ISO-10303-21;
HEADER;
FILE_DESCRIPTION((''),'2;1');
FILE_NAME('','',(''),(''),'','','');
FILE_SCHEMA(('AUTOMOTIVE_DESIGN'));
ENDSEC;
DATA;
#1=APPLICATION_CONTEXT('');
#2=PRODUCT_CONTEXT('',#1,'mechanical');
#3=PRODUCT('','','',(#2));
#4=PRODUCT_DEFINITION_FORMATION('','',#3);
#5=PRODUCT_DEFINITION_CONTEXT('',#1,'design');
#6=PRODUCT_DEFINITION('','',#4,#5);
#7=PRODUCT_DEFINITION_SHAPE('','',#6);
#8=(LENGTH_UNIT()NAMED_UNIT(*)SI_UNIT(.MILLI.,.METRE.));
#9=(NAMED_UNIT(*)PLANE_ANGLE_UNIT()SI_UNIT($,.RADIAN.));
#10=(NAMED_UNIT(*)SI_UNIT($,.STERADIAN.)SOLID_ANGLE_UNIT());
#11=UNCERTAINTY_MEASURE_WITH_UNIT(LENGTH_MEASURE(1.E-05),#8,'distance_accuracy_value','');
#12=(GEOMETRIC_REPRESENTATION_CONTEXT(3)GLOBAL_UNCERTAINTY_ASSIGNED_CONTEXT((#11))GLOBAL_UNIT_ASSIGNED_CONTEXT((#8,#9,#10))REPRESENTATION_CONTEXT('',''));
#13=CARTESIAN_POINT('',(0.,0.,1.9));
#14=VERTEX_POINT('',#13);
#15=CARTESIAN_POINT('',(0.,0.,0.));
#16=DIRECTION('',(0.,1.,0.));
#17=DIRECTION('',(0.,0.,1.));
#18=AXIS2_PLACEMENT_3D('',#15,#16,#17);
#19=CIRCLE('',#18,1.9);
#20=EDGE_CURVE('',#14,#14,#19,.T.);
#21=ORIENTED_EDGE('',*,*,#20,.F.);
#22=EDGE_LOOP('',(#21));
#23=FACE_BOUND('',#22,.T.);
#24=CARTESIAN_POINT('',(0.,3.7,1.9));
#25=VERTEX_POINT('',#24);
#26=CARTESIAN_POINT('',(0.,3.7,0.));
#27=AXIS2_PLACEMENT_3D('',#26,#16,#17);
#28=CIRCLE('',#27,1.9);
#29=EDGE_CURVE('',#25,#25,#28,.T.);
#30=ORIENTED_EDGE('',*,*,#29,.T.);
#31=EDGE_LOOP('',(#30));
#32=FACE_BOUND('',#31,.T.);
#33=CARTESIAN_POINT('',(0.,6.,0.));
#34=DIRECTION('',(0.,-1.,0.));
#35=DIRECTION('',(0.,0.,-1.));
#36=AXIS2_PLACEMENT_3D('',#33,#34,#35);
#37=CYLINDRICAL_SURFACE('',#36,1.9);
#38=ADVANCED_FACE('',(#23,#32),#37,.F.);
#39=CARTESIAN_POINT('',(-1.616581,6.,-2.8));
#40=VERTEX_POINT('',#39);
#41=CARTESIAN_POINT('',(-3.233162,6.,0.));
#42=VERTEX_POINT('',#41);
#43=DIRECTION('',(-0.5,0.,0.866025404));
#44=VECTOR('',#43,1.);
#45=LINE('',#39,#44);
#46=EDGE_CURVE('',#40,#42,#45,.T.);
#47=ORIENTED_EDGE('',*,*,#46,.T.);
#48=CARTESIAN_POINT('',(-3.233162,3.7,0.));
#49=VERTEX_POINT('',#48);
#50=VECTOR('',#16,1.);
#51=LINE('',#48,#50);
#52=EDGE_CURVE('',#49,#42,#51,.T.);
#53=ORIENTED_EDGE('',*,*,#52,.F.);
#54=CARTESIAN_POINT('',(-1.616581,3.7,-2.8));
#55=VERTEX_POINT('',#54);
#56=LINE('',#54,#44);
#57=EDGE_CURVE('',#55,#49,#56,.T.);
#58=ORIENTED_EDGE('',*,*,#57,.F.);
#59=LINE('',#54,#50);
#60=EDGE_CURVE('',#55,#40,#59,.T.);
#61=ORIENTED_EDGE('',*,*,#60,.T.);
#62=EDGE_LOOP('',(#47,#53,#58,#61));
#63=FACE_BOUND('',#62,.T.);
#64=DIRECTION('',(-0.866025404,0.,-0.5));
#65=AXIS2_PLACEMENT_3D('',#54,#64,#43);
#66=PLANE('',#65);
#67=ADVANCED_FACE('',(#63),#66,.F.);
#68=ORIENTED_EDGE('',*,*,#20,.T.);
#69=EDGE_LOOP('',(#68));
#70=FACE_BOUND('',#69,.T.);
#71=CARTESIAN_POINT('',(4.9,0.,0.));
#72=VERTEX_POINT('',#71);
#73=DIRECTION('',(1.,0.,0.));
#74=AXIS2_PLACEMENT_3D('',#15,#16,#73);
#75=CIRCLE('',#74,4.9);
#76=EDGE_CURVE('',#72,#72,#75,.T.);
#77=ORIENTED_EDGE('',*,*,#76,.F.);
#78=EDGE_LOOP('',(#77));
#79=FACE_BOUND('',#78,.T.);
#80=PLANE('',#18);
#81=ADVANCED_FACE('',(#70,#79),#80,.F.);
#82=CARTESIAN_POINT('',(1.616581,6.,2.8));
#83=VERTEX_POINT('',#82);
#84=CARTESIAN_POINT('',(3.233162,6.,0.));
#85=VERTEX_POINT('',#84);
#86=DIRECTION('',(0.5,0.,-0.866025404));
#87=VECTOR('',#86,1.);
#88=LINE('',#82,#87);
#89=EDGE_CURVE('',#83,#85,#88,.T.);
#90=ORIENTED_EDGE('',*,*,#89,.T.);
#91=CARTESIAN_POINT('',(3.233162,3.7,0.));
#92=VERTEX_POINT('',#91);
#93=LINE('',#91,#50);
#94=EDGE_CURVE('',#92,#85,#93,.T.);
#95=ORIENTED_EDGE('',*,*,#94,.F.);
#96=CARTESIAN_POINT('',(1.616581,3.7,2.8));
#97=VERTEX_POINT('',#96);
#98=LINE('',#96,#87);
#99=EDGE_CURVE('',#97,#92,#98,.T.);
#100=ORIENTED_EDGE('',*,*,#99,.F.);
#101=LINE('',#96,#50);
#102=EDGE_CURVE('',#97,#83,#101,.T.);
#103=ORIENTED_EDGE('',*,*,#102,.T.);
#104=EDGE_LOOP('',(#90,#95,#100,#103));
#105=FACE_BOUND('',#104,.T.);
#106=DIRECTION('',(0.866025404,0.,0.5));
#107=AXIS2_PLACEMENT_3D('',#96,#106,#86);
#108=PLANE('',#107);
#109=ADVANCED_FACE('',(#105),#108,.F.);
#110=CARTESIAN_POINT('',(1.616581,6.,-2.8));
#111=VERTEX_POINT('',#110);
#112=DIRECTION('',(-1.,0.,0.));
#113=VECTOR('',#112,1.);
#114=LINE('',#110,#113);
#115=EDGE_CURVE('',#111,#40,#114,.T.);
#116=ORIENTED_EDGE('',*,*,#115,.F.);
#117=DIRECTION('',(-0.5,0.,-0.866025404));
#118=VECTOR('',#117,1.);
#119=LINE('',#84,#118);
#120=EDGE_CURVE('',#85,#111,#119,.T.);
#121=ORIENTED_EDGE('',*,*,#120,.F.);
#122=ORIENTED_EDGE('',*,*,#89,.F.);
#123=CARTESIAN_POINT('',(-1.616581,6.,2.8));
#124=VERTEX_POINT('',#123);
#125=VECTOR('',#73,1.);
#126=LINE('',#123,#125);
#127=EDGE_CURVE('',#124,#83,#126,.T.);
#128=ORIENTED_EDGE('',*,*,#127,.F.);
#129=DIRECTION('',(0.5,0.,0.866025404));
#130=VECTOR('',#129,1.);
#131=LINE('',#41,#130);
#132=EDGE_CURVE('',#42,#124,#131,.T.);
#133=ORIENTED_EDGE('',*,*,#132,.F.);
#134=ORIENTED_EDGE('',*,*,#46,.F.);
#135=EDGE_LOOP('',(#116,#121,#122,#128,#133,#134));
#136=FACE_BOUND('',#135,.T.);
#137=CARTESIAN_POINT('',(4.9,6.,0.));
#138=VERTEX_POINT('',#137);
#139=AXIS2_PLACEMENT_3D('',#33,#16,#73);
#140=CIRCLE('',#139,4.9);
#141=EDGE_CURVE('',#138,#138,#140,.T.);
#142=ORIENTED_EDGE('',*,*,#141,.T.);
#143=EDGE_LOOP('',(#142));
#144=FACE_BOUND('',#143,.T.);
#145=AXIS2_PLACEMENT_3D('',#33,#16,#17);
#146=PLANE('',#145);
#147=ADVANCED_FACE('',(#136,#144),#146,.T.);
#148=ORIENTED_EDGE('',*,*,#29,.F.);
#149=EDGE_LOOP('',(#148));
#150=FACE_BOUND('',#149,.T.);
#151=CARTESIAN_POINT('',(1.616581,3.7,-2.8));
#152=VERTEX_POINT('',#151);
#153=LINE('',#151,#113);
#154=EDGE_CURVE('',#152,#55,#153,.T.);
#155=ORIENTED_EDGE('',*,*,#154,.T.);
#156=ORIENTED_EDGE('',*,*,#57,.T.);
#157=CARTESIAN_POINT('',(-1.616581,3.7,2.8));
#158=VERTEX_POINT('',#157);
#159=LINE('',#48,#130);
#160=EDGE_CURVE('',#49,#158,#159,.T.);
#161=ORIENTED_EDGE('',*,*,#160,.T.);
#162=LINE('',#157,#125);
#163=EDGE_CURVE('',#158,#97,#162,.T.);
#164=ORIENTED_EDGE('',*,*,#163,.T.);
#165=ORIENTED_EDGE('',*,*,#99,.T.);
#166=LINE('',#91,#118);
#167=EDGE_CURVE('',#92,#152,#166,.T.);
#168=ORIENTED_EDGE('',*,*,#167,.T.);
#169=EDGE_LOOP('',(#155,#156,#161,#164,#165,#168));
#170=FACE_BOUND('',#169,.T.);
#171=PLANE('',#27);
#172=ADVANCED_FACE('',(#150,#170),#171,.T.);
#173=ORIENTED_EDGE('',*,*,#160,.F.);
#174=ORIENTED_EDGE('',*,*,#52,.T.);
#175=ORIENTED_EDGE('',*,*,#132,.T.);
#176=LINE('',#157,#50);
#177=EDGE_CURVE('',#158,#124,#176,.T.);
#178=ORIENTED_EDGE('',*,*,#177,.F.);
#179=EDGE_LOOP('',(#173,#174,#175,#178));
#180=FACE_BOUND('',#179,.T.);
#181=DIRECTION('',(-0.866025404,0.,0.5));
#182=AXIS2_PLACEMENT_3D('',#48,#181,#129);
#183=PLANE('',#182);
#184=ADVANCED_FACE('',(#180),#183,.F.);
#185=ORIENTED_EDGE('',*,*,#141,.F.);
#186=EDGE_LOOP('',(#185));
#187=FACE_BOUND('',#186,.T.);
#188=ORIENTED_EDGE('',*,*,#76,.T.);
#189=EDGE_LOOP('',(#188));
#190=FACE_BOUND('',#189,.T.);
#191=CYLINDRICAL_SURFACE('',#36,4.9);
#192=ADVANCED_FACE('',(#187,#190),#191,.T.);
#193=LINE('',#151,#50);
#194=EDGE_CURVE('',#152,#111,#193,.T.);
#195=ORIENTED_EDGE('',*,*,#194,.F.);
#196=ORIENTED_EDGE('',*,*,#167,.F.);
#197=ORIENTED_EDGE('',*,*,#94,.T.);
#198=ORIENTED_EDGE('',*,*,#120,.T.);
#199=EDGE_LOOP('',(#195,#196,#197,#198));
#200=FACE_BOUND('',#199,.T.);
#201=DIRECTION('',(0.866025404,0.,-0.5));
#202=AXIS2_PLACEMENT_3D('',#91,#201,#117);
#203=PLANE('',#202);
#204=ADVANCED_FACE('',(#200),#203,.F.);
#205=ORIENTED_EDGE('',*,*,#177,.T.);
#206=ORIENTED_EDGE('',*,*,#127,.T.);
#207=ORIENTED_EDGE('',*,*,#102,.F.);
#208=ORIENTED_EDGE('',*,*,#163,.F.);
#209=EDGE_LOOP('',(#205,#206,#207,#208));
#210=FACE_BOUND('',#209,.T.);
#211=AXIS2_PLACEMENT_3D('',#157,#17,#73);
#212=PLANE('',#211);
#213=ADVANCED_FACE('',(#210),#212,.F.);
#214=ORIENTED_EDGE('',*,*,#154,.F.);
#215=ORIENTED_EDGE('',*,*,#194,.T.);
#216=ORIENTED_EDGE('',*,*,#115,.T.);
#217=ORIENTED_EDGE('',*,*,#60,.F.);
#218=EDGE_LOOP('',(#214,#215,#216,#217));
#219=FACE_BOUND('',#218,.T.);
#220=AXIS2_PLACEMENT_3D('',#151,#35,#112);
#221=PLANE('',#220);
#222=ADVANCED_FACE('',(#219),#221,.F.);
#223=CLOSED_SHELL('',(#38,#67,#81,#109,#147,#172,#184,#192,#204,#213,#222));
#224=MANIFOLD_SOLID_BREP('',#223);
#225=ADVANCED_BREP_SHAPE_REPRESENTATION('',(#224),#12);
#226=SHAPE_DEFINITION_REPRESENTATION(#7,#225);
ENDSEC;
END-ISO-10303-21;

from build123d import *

# Parameters (mm, degrees)
SKETCH1_R           = 4.9
SKETCH1_R_2         = 1.9
EXTRUDE_THIN1_DEPTH = 6
CUT_EXTRUDE1_DEPTH  = 2.3


with BuildPart() as part:
    # Sketch1 → Extrude-Thin1 (new body)
    with BuildSketch(Plane(origin=(0, 0, 0), x_dir=(1, 0, 0), z_dir=(0, 1, 0))):
        Circle(SKETCH1_R)
        Circle(SKETCH1_R_2, mode=Mode.SUBTRACT)
    extrude(amount=EXTRUDE_THIN1_DEPTH)

    # Sketch2 → Cut-Extrude1 (cut)
    with BuildSketch(Plane(origin=(0, 6, 0), x_dir=(1, 0, 0), z_dir=(0, 1, 0))):
        Polygon((3.233161507, 0), (1.616580754, 2.8), (-1.616580754, 2.8), (-3.233161507, 0), (-1.616580754, -2.8), (1.616580754, -2.8), align=None)
    extrude(amount=-CUT_EXTRUDE1_DEPTH, mode=Mode.SUBTRACT)


solid = part.part
